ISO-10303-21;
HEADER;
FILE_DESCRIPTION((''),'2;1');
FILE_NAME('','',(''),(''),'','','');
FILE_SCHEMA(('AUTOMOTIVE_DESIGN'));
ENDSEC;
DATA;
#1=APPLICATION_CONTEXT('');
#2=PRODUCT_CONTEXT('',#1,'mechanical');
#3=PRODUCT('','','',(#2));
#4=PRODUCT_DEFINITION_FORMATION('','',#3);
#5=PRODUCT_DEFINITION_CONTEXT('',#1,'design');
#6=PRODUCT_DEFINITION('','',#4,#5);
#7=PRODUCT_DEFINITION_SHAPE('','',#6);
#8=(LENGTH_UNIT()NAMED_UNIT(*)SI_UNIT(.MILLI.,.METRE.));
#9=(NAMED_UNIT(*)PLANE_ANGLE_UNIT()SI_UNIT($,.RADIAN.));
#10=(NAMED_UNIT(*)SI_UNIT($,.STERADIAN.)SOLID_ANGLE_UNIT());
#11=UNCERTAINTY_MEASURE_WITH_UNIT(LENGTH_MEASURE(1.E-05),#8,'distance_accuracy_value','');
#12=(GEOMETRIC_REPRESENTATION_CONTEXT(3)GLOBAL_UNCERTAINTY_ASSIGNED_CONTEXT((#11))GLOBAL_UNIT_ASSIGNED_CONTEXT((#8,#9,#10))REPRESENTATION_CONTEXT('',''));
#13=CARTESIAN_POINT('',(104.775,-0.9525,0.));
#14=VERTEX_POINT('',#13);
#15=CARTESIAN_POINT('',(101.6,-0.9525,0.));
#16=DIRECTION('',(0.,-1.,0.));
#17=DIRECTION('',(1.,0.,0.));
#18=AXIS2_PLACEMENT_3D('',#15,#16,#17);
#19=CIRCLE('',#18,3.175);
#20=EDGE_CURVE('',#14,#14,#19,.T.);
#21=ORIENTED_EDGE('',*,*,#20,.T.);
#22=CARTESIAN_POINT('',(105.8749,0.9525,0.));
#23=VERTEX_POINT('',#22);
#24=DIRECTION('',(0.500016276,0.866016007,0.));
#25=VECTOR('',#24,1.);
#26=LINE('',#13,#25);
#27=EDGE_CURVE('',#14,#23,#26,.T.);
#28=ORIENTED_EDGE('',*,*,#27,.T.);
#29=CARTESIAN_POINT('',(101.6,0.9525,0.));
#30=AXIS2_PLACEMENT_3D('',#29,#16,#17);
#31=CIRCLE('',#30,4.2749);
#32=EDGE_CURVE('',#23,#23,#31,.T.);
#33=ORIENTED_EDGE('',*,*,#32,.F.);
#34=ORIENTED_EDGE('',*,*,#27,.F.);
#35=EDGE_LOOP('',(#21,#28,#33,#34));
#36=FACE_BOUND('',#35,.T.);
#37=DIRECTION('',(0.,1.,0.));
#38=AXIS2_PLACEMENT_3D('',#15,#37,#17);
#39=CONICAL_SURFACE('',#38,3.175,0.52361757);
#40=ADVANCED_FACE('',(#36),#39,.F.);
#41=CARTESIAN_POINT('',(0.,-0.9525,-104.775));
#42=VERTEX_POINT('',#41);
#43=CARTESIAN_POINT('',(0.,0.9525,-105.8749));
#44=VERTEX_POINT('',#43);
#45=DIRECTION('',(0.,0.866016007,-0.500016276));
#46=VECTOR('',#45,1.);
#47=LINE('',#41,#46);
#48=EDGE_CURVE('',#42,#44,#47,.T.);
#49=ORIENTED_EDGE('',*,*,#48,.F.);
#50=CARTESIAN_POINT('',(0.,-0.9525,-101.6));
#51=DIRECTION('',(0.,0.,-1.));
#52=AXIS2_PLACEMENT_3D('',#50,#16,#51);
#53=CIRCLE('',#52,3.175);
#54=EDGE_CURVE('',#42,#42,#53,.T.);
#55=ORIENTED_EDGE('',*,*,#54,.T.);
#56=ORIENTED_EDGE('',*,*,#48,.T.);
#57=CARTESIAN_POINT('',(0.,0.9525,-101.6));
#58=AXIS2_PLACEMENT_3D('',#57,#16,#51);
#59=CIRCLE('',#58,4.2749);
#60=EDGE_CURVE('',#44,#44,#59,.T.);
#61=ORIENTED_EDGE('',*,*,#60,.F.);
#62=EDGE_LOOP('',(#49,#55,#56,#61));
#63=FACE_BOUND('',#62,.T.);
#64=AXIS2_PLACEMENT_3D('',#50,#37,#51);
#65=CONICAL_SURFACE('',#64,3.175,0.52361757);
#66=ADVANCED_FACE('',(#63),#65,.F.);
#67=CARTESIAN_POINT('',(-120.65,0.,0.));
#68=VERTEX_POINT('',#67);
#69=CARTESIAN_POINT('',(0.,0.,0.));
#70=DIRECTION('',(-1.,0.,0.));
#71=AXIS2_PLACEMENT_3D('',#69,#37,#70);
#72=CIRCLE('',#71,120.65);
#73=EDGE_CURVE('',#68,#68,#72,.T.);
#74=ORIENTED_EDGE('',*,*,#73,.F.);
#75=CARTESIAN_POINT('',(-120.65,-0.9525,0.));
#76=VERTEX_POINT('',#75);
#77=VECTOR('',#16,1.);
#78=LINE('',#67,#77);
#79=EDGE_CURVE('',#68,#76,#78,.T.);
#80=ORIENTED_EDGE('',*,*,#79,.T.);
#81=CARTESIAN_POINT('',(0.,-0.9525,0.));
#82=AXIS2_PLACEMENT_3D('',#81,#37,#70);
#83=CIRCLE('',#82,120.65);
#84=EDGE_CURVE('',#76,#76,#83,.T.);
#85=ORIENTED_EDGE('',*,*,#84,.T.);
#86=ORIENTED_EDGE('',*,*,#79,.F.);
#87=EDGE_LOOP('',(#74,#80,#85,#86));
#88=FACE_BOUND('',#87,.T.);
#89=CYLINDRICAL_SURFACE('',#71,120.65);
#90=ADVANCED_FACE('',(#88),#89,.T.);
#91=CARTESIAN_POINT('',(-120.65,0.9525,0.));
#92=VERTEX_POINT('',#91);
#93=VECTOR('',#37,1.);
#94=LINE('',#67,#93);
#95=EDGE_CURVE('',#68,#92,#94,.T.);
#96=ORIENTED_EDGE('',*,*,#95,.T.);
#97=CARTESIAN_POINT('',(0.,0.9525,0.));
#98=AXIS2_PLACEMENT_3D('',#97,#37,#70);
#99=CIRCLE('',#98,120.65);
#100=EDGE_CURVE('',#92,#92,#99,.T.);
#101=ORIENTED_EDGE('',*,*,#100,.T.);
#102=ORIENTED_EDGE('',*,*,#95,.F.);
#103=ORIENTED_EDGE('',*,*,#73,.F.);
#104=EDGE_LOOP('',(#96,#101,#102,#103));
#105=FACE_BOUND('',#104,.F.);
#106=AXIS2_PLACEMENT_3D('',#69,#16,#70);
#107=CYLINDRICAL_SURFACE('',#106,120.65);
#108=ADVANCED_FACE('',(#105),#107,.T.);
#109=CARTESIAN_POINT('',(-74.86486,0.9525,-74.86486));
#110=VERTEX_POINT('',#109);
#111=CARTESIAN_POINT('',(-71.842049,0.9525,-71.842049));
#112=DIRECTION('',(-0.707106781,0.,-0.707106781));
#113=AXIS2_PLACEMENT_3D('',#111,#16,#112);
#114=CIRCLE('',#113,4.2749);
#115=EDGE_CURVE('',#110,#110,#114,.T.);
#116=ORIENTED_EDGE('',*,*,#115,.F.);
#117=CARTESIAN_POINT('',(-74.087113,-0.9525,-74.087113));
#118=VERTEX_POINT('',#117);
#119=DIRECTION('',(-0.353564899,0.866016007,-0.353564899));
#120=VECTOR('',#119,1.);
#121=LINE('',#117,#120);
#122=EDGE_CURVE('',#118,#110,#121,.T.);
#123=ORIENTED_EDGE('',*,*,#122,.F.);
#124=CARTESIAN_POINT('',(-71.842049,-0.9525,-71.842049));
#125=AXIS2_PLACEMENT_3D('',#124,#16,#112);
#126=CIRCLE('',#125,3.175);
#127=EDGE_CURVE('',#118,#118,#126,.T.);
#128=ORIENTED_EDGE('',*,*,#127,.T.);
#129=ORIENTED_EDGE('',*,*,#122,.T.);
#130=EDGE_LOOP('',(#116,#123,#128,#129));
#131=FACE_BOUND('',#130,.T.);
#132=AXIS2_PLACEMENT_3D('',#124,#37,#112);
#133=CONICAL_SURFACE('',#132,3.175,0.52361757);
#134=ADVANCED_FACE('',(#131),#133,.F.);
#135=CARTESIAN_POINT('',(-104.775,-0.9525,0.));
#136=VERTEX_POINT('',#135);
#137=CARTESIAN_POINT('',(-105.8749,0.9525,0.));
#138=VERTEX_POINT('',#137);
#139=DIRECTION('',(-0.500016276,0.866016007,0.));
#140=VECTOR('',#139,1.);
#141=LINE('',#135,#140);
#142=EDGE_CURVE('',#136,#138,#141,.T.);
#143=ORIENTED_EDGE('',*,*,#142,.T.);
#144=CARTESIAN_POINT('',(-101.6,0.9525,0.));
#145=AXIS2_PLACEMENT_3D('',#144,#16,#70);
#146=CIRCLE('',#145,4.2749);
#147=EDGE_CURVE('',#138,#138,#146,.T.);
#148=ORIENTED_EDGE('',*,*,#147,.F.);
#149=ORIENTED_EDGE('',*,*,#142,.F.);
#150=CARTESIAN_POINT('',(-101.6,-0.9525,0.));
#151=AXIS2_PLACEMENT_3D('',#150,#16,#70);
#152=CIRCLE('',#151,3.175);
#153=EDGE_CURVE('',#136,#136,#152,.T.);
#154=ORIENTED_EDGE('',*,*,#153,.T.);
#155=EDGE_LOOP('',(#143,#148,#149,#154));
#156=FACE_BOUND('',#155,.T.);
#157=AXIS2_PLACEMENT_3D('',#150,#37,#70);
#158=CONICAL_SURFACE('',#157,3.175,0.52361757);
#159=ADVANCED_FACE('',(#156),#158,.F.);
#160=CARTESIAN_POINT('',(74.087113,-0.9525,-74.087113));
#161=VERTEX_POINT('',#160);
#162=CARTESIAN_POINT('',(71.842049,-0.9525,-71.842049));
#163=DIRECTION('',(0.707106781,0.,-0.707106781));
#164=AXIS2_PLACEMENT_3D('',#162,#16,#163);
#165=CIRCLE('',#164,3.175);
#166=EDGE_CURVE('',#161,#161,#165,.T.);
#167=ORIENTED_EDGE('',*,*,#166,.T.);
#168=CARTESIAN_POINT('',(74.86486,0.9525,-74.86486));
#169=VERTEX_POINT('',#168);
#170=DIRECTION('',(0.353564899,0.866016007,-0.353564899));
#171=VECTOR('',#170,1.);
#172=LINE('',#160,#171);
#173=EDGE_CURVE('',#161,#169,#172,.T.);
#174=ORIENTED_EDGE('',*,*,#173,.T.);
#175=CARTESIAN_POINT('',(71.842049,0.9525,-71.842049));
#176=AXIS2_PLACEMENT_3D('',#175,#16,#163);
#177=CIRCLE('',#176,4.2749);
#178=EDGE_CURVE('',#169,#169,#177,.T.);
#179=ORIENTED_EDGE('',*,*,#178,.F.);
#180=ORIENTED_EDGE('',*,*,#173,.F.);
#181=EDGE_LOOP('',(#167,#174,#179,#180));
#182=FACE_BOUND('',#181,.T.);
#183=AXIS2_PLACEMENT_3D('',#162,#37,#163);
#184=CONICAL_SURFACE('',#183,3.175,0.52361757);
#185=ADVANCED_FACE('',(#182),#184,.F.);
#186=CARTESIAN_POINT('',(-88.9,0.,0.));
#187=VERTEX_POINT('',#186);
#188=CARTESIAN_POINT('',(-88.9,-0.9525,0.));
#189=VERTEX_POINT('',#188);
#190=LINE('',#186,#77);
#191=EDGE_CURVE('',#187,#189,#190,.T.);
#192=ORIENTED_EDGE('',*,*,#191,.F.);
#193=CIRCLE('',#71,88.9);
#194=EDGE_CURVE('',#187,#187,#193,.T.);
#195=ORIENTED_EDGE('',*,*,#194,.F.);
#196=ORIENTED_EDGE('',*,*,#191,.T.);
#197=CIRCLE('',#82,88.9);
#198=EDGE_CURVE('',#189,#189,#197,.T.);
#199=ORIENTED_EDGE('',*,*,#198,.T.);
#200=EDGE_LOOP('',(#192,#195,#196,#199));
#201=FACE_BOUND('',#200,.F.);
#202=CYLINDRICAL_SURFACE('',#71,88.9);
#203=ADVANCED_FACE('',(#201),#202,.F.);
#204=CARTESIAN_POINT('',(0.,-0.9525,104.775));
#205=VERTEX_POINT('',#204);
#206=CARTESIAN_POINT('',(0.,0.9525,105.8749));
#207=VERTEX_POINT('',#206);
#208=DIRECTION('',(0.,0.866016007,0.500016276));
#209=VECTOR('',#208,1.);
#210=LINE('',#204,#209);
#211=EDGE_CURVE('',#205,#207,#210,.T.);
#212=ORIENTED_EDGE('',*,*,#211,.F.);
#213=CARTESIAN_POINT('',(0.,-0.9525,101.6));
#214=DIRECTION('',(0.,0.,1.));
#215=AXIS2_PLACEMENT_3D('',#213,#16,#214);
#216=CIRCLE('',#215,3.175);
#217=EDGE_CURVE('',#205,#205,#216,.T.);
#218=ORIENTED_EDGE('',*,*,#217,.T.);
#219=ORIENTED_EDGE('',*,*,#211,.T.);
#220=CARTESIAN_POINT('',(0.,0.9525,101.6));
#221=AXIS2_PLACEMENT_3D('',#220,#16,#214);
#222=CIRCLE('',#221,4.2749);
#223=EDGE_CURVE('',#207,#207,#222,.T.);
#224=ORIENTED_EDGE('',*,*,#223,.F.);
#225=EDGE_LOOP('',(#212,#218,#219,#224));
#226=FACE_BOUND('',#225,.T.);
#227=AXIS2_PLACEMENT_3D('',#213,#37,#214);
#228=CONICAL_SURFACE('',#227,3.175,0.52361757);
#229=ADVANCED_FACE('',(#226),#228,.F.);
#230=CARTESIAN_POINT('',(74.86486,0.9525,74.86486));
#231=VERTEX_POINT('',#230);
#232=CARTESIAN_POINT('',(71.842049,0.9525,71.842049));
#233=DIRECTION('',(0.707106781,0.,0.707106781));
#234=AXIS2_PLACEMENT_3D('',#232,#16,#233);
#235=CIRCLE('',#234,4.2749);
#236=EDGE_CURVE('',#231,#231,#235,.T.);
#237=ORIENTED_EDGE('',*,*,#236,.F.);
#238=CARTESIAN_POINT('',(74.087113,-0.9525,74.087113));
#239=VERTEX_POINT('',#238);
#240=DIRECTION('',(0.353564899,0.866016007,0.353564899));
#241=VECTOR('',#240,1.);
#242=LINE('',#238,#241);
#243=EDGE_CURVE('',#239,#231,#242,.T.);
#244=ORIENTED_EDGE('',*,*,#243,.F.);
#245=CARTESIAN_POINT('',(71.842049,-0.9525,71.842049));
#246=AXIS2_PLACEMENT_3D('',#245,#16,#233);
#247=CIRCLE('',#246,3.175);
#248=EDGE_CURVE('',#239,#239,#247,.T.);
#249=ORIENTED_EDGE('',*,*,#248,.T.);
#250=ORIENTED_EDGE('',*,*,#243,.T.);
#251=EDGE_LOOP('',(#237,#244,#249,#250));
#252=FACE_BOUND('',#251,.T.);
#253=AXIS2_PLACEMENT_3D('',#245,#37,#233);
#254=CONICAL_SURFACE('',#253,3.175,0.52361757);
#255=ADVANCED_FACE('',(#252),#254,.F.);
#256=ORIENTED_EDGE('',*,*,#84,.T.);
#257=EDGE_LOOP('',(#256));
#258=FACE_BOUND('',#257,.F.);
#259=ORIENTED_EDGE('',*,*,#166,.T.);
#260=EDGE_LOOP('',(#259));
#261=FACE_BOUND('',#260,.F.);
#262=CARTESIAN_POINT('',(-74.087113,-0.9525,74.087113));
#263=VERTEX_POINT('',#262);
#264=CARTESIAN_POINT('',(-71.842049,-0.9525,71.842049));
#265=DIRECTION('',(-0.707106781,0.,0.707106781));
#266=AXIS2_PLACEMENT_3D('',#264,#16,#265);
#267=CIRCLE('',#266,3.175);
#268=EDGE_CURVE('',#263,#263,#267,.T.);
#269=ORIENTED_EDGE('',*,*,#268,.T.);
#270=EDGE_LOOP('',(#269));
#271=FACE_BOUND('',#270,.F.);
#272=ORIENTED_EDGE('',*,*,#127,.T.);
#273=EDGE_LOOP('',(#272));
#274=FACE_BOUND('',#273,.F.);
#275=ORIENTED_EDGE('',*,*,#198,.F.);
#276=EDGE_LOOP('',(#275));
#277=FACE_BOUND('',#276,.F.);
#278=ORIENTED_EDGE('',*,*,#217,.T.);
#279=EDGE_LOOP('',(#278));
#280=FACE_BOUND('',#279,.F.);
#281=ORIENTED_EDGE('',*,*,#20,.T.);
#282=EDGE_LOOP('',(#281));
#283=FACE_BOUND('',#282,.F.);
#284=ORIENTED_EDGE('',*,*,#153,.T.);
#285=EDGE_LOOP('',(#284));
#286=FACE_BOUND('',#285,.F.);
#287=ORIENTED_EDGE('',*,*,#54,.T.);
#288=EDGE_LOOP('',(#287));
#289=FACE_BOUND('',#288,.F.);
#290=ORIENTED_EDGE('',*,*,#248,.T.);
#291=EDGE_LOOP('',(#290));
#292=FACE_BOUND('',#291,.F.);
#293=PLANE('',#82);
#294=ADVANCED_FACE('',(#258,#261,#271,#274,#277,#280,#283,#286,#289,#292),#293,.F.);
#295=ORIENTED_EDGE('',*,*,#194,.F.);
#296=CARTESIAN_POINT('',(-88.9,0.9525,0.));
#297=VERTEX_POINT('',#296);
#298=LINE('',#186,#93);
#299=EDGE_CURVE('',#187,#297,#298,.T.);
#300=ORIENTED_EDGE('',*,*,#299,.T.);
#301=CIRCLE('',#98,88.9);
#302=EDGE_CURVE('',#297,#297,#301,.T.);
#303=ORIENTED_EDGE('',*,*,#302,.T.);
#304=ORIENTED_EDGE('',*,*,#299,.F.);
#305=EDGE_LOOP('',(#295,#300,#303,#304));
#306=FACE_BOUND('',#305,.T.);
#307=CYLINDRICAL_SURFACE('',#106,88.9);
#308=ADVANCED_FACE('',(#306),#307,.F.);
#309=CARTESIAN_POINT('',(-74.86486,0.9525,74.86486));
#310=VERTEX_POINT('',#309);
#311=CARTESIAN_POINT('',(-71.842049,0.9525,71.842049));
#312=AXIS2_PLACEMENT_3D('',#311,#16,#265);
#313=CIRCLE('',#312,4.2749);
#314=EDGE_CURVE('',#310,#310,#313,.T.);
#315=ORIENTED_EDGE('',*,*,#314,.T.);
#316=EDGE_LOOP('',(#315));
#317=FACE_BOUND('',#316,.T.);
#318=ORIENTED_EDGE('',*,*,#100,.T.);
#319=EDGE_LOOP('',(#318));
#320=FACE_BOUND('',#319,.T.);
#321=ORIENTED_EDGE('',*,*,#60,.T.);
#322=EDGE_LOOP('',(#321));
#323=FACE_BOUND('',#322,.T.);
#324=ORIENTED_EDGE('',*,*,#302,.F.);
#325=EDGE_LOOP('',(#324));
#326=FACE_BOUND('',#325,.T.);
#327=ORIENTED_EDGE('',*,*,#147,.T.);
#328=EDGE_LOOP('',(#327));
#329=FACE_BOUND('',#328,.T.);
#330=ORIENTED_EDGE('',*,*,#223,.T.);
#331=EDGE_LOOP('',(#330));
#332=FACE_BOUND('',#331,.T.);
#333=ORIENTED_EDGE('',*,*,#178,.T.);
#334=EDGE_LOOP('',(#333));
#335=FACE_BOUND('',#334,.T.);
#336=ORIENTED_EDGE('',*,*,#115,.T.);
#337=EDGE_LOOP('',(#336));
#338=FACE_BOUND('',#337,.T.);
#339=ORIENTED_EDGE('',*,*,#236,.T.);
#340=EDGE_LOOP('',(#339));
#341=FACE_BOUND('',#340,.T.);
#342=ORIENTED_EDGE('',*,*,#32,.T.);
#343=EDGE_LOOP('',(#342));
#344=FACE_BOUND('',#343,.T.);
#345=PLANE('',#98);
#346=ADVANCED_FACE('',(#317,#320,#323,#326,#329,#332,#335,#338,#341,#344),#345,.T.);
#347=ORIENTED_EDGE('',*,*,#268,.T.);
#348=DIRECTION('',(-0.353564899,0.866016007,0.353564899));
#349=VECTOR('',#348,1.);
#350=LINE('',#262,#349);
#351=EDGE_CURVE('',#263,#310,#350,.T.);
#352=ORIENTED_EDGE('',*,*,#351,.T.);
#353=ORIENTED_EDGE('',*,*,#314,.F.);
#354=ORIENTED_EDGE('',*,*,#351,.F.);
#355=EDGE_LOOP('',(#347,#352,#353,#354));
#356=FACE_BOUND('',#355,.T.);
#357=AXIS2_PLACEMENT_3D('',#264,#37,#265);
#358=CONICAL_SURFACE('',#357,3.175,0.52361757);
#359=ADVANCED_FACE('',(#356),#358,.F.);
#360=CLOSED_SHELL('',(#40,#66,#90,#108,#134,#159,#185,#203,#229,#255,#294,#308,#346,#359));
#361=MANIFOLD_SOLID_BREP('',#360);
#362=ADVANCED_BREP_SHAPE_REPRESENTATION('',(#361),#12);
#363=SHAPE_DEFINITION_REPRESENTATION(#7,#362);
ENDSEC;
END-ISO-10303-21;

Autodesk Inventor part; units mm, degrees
ref_plane "YZ Plane" through (0, 0, 0) normal (1, 0, 0) x (0, 1, 0)
ref_plane "XZ Plane" through (0, 0, 0) normal (0, 1, 0) x (-1, 0, 0)
ref_plane "XY Plane" through (0, 0, 0) normal (0, 0, 1) x (1, 0, 0)
sketch "Sketch1" plane through (0, 0, 0) normal (0, 1, 0) x (-1, 0, 0)
  line L0 (0, 7.6) -> (0, -5.7)
  line L1 (-5.7, 0) -> (7.6, 0)
  circle A0 centre (0, 0) radius 120.65
  circle A1 centre (0, 0) radius 88.9
  dimension "d0" = 31.75
  dimension "d1" = 177.8
extrude "Extrusion1" add sketch "Sketch1" along normal mid plane 1.905
sketch "Sketch3" plane through (0, 0, 0) normal (0, 0, 1) x (1, 0, 0)
  line L0 (-120.65, 0.9525) -> (120.65, 0.9525) projected
  line L1 (120.65, -0.9525) -> (-120.65, -0.9525) projected
  line L2 (-101.6, 0.9525) -> (-105.8749, 0.9525)
  line L3 (-105.8749, -0.9525) -> (-101.6, -0.9525)
  line L4 (-105.8749, -0.9525) -> (-98.0406, -0.9525)
  line L5 (-101.6, 0.9525) -> (-101.6, -0.9525)
  line L6 (-101.6, -0.9525) -> (-105.8749, -0.9525)
  line L7 (-88.9, -0.9525) -> (-88.9, 0.9525) projected
  line L8 (-101.6, 0.9525) -> (-105.8749, 0.9525)
  line L9 (-101.6, -0.9525) -> (-104.775, -0.9525)
  line L10 (-104.775, -0.9525) -> (-105.8749, 0.9525)
  dimension "d15" = 12.7
  dimension "d23" = 3.175
  dimension "d25" = 120
revolve "Revolution2" cut sketch "Sketch3" angle 360 about axis through (-101.6, 0.9525, 0) along (0, -1, 0) contours L0 L5 L1 L10
pattern_circular "Circular Pattern2" count 8 over 360 about axis through (0, 0, 0) along (0, 1, 0) of "Revolution2"
properties part number "Vane_Plate"
